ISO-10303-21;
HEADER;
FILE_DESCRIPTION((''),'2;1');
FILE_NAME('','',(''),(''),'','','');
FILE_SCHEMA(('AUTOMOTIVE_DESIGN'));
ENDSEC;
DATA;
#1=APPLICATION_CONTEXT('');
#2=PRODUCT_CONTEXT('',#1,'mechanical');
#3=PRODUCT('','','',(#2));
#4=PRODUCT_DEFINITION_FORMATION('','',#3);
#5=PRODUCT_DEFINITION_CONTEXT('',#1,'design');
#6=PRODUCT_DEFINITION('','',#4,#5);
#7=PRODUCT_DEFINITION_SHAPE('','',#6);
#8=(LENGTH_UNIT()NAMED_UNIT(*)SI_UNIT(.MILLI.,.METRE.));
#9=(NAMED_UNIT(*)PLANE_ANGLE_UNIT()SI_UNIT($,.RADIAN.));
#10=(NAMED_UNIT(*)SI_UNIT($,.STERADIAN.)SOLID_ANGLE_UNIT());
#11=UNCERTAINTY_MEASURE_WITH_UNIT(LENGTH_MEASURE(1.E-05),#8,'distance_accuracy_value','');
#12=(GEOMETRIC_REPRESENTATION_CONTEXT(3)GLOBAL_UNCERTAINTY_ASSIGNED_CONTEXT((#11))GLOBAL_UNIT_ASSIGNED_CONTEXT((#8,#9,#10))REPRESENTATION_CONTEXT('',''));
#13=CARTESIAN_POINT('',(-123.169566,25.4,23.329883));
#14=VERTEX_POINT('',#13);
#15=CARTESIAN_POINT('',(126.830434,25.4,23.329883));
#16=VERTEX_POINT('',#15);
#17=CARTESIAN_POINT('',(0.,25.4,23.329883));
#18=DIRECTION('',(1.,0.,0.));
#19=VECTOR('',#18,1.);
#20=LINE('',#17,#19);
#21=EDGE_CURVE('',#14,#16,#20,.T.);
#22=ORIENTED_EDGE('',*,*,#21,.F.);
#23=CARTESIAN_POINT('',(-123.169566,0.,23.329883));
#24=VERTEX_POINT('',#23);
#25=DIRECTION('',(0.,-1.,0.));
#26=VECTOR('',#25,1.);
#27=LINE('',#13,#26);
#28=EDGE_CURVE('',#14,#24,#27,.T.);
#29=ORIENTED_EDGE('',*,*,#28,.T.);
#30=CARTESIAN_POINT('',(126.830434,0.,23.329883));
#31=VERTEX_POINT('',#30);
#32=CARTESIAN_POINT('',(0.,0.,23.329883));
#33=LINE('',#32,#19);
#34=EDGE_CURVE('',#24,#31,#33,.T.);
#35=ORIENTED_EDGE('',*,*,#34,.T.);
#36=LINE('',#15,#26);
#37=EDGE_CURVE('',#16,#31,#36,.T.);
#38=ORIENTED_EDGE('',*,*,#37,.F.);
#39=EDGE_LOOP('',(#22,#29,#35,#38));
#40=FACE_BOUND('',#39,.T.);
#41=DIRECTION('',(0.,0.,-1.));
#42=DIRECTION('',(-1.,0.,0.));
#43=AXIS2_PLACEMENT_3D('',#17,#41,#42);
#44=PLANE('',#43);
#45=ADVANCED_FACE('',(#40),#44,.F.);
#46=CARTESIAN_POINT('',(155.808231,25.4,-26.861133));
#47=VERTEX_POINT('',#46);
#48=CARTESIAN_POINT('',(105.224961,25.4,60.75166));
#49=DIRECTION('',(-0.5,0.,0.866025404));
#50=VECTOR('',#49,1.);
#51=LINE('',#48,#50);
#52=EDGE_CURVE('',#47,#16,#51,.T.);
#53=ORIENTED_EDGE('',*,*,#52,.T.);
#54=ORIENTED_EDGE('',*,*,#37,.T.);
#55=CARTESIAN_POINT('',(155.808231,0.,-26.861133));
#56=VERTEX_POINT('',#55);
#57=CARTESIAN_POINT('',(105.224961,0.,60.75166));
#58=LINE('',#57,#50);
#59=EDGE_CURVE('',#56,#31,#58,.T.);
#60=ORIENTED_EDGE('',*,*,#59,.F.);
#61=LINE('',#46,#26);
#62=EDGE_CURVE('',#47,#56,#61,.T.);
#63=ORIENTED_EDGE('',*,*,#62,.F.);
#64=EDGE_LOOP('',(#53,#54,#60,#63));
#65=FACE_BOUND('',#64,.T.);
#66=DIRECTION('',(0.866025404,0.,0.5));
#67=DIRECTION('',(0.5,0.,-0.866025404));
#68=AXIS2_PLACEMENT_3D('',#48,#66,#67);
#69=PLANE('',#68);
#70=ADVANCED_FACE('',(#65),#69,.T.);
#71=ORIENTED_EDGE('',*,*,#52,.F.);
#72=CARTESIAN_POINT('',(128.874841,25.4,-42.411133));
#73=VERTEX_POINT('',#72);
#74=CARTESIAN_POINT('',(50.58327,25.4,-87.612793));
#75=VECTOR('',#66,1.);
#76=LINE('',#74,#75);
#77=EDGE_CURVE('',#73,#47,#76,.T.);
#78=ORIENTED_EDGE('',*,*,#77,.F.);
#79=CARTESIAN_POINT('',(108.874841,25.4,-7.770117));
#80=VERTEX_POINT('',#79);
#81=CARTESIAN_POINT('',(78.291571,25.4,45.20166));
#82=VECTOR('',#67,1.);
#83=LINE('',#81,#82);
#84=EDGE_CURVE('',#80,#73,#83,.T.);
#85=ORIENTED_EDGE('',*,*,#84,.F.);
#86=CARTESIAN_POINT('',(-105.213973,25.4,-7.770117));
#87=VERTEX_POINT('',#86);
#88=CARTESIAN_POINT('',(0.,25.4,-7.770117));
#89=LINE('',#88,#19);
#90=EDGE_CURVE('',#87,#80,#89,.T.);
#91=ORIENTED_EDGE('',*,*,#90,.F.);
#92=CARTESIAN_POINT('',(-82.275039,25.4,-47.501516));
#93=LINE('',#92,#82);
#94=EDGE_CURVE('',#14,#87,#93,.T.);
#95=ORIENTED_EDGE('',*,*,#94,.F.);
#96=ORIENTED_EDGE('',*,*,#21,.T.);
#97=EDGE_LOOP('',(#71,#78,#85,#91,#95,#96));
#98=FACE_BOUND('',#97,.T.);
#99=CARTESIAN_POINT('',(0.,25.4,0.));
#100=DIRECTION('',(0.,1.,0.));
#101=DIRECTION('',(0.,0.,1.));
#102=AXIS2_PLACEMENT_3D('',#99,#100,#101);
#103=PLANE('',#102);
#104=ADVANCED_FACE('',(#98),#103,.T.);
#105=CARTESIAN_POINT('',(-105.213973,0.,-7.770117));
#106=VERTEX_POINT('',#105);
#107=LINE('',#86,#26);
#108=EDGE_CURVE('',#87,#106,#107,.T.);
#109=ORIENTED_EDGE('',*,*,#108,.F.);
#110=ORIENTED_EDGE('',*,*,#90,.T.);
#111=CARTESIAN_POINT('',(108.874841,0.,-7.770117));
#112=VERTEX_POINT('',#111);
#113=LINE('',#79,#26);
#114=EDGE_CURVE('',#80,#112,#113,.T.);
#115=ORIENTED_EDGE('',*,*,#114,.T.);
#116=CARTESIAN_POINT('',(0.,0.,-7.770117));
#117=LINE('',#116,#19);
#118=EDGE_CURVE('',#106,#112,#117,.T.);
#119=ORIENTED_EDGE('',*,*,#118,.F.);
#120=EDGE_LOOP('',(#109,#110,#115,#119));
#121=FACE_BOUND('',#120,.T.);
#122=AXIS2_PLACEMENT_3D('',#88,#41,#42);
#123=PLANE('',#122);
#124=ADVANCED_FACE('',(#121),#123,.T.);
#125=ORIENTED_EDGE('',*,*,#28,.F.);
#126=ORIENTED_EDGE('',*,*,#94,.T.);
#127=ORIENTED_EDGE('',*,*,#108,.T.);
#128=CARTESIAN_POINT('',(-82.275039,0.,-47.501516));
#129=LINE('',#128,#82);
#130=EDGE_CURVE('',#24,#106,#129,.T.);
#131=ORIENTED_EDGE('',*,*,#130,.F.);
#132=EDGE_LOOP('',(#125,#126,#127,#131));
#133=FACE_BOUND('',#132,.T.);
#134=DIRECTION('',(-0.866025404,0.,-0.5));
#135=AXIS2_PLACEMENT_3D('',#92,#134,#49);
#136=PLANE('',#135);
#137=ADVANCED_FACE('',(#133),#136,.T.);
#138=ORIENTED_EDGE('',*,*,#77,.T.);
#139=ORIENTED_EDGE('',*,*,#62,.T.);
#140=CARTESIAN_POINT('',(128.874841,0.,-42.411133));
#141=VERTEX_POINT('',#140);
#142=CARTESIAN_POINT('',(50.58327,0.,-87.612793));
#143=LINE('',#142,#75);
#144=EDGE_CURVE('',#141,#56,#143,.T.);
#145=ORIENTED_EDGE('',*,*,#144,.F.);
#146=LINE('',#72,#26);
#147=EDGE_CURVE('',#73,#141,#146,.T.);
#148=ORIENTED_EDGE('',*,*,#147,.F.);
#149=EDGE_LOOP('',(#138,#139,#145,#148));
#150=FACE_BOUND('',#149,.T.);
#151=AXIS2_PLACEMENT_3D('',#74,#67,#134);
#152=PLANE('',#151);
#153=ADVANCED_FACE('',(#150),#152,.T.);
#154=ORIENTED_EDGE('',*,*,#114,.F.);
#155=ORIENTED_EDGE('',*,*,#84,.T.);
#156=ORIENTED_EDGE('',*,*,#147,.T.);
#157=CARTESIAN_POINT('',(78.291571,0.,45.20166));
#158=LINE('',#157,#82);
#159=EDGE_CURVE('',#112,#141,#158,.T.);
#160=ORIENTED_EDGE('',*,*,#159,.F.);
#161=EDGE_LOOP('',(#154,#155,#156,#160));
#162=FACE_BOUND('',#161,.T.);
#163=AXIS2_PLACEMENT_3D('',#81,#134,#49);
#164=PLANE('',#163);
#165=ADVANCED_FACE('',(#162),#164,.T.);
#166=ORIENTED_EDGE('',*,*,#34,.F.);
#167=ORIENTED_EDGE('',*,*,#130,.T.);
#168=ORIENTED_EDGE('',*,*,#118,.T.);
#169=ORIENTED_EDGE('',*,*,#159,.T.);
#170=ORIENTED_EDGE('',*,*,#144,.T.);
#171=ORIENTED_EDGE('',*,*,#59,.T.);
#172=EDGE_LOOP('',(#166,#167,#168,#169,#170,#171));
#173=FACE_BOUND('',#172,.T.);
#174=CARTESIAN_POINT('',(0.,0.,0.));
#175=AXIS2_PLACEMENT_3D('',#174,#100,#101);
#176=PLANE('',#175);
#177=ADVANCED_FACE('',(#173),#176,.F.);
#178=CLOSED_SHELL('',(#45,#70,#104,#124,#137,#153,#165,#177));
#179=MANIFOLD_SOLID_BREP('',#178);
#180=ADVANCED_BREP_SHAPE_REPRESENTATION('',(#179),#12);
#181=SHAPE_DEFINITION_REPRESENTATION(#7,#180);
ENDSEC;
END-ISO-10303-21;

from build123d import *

# Parameters (mm, degrees)
BOSS_EXTRUDE1_DEPTH = 25.4


with BuildPart() as part:
    # Sketch1 → Boss-Extrude1 (new body)
    with BuildSketch(Plane(origin=(0, 0, 0), x_dir=(1, 0, 0), z_dir=(0, 1, 0))):
        Polygon((-123.169565917, -23.329882989), (126.830434083, -23.329882989), (108.874840712, 7.770117011), (-105.213972545, 7.770117011), align=None)
        Polygon((155.808230769, 26.861133162), (126.830434083, -23.329882989), (108.874840712, 7.770117011), (128.874840712, 42.411133162), align=None)
    extrude(amount=BOSS_EXTRUDE1_DEPTH)


solid = part.part
